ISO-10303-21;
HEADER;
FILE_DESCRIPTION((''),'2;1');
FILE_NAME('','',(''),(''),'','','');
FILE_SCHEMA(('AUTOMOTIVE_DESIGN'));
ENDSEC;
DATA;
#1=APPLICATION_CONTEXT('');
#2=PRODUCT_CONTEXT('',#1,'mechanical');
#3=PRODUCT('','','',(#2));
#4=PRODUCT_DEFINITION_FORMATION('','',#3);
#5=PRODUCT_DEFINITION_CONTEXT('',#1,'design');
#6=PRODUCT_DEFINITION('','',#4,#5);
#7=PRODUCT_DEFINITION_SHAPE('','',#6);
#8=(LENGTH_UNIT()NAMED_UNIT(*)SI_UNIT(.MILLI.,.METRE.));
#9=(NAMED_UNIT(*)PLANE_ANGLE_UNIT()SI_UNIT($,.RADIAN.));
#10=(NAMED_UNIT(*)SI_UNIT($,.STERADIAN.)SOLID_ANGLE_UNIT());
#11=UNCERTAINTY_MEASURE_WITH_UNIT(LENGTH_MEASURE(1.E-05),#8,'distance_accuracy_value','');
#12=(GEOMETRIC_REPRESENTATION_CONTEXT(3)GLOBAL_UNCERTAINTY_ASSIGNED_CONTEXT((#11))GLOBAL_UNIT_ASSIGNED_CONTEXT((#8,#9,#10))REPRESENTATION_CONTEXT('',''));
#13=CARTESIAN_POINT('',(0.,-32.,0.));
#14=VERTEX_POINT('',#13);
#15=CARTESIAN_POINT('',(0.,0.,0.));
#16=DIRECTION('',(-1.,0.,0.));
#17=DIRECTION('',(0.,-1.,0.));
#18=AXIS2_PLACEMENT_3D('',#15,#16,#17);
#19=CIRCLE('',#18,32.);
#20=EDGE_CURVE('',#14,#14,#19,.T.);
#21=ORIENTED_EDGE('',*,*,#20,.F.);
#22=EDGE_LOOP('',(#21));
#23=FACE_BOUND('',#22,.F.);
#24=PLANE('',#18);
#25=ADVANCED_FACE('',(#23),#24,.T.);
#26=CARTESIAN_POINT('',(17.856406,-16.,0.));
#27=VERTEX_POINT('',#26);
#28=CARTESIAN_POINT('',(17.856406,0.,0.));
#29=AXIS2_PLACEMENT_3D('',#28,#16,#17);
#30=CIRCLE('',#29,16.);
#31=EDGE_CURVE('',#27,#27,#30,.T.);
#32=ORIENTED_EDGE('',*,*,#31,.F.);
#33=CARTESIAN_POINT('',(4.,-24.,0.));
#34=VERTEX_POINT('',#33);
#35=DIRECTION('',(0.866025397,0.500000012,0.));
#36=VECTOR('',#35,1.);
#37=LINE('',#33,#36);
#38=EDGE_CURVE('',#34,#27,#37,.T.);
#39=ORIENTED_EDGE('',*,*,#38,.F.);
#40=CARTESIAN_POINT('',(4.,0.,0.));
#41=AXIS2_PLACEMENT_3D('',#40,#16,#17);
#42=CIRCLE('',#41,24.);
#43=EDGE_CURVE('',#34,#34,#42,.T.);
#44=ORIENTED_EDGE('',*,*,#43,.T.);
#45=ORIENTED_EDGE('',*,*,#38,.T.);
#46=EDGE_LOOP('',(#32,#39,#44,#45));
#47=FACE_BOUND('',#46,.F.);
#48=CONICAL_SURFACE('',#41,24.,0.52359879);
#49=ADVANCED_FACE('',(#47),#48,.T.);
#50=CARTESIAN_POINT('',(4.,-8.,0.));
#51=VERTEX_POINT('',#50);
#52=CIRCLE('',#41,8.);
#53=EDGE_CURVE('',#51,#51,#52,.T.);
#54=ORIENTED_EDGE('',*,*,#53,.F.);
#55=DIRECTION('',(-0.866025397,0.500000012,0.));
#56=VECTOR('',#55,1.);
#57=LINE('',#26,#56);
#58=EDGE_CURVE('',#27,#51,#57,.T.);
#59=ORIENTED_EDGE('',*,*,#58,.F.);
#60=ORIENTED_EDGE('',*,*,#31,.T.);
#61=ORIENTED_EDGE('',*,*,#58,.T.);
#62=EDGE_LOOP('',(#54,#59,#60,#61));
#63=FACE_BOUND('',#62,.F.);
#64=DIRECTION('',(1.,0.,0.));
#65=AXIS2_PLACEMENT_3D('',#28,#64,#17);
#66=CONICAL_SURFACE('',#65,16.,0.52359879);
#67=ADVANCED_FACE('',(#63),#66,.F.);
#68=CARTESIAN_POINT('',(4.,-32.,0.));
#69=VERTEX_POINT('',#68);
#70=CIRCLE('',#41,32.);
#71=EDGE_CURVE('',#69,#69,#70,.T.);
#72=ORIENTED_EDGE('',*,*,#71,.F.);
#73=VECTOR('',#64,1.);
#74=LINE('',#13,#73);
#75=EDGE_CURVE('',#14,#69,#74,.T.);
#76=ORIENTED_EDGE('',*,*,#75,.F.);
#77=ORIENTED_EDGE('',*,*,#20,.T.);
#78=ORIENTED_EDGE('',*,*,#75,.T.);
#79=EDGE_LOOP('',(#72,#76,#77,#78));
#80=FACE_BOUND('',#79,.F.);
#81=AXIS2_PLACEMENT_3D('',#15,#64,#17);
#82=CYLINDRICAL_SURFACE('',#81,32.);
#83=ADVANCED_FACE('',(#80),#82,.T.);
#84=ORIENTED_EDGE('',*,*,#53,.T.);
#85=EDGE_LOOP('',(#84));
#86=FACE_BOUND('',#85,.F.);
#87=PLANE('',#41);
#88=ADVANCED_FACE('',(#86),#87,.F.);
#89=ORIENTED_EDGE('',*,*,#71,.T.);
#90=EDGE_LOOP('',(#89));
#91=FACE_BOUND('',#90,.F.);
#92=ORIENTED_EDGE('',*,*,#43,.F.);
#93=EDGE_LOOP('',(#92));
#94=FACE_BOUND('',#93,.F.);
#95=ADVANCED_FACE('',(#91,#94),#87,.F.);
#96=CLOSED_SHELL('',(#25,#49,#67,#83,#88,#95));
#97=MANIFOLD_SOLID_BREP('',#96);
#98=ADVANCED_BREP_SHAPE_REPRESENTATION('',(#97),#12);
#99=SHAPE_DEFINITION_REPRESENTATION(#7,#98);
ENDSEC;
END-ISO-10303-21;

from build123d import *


with BuildPart() as f1:
    # F0 (on Top) → F1 (revolve)
    with BuildSketch(Plane.XY):
        Polygon((4, 0), (0, 0), (0, -32), (4, -32), (4, -24), (17.856406, -16), (4, -8), align=None)
        Polygon((4, -19.381198), (4, -12.618802), (9.856406, -16), align=None, mode=Mode.SUBTRACT)
        Polygon((9.856406, -16), (4, -12.618802), (4, -19.381198), align=None)
    revolve(axis=Axis((2, 0, 0), (-1, 0, 0)))


solid = f1.part
